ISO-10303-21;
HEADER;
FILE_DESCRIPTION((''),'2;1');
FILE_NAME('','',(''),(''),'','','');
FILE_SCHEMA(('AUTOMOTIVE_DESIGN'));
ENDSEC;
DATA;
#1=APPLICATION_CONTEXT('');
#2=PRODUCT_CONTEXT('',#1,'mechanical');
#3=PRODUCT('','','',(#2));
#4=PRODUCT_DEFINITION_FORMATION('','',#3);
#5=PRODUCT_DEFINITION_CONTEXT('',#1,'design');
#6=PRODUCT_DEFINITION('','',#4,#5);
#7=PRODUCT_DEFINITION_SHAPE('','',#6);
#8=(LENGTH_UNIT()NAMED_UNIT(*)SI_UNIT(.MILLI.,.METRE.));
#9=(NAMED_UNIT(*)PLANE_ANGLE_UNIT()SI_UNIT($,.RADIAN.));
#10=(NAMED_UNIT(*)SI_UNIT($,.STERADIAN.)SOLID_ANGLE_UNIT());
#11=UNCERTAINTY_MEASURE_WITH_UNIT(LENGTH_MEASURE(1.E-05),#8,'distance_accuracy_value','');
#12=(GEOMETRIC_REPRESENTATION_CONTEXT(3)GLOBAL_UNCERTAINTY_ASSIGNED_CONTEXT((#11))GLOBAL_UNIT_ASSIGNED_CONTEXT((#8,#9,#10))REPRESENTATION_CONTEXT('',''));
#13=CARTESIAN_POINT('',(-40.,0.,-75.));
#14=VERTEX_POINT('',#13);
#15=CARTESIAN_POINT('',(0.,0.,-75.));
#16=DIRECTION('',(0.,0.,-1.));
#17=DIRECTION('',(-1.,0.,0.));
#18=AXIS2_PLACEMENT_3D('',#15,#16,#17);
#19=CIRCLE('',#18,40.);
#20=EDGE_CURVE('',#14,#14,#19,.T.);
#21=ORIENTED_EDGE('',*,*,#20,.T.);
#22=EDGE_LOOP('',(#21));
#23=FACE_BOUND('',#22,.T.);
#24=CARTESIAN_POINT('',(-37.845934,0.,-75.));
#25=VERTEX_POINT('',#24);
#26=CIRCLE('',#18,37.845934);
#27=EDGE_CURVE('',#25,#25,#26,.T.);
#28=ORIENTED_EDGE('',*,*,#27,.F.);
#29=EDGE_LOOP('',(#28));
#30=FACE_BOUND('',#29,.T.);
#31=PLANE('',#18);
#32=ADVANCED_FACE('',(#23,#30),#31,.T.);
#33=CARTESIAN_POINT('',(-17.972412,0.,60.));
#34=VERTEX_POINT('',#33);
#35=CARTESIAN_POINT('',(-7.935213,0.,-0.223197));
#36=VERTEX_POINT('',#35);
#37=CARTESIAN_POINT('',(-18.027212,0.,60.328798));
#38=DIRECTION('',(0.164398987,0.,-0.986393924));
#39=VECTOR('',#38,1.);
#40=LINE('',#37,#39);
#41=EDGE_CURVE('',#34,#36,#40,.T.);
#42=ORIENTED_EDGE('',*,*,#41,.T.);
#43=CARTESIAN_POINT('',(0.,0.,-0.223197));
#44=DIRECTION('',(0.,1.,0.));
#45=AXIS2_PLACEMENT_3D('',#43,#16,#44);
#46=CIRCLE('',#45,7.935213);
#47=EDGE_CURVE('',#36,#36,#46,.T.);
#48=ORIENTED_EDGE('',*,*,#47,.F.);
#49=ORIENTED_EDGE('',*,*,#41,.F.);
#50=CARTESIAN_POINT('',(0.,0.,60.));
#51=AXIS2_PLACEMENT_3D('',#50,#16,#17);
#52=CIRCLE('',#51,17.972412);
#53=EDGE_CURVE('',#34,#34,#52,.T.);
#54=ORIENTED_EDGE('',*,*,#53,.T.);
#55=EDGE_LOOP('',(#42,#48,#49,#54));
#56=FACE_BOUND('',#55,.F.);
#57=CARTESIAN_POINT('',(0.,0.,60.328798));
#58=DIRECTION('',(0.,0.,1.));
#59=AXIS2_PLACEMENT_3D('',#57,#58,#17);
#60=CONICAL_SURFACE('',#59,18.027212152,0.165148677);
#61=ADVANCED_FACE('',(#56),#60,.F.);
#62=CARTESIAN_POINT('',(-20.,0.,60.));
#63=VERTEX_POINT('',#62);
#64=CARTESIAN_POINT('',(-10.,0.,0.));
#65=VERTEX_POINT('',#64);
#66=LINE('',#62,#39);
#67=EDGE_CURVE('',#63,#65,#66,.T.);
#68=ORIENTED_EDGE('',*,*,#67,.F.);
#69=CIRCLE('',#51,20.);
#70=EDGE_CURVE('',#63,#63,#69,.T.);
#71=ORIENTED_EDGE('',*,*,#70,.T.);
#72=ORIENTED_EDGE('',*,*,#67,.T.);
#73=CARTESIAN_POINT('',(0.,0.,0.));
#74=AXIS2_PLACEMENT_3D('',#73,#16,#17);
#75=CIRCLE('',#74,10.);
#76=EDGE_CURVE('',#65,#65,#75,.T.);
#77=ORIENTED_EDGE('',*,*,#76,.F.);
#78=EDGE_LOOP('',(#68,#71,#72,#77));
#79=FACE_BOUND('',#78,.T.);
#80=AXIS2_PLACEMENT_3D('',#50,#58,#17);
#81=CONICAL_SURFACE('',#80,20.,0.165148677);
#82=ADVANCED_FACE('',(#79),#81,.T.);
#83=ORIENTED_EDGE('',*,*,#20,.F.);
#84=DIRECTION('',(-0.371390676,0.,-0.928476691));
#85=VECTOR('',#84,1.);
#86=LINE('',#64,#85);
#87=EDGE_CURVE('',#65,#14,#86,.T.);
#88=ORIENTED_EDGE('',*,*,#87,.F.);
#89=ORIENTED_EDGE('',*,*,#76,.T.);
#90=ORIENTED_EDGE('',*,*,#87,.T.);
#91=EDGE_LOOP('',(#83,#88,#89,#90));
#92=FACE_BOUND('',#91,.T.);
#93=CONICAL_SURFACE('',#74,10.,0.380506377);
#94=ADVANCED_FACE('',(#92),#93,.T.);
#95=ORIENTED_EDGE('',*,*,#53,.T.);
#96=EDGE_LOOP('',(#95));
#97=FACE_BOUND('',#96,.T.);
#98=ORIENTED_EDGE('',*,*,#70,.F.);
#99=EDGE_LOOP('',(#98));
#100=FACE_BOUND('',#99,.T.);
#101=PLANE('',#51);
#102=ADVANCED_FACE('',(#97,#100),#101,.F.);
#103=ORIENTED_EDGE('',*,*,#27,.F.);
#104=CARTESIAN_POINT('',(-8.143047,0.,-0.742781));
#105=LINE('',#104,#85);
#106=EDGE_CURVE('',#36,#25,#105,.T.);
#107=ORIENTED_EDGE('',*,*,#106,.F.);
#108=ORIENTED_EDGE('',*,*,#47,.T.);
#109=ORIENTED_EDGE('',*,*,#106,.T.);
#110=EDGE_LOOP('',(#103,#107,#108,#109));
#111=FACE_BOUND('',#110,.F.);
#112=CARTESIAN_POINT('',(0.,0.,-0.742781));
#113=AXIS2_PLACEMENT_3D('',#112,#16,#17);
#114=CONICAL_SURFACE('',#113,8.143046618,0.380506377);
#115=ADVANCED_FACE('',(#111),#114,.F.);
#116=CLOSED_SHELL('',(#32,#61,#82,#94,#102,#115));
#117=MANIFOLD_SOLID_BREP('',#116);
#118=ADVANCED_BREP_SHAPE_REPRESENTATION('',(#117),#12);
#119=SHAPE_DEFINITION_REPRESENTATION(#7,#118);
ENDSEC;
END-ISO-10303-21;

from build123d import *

# Parameters (mm, degrees)
F2_T = -2


with BuildPart() as f1:
    # F0 (on Front) → F1 (revolve)
    with BuildSketch(Plane.XZ):
        Polygon((0, 60), (-20, 60), (-10, 0), (-40, -75), (0, -75), align=None)
    revolve(axis=Axis((0, 0, -7.5), (0, 0, -1)))

    # F2
    f2_openings = [f1.faces().sort_by_distance(p)[0] for p in [
        (0, 0, -75),
        (0, 0, 60),
    ]]
    offset(amount=F2_T, openings=f2_openings, kind=Kind.INTERSECTION)


solid = f1.part
